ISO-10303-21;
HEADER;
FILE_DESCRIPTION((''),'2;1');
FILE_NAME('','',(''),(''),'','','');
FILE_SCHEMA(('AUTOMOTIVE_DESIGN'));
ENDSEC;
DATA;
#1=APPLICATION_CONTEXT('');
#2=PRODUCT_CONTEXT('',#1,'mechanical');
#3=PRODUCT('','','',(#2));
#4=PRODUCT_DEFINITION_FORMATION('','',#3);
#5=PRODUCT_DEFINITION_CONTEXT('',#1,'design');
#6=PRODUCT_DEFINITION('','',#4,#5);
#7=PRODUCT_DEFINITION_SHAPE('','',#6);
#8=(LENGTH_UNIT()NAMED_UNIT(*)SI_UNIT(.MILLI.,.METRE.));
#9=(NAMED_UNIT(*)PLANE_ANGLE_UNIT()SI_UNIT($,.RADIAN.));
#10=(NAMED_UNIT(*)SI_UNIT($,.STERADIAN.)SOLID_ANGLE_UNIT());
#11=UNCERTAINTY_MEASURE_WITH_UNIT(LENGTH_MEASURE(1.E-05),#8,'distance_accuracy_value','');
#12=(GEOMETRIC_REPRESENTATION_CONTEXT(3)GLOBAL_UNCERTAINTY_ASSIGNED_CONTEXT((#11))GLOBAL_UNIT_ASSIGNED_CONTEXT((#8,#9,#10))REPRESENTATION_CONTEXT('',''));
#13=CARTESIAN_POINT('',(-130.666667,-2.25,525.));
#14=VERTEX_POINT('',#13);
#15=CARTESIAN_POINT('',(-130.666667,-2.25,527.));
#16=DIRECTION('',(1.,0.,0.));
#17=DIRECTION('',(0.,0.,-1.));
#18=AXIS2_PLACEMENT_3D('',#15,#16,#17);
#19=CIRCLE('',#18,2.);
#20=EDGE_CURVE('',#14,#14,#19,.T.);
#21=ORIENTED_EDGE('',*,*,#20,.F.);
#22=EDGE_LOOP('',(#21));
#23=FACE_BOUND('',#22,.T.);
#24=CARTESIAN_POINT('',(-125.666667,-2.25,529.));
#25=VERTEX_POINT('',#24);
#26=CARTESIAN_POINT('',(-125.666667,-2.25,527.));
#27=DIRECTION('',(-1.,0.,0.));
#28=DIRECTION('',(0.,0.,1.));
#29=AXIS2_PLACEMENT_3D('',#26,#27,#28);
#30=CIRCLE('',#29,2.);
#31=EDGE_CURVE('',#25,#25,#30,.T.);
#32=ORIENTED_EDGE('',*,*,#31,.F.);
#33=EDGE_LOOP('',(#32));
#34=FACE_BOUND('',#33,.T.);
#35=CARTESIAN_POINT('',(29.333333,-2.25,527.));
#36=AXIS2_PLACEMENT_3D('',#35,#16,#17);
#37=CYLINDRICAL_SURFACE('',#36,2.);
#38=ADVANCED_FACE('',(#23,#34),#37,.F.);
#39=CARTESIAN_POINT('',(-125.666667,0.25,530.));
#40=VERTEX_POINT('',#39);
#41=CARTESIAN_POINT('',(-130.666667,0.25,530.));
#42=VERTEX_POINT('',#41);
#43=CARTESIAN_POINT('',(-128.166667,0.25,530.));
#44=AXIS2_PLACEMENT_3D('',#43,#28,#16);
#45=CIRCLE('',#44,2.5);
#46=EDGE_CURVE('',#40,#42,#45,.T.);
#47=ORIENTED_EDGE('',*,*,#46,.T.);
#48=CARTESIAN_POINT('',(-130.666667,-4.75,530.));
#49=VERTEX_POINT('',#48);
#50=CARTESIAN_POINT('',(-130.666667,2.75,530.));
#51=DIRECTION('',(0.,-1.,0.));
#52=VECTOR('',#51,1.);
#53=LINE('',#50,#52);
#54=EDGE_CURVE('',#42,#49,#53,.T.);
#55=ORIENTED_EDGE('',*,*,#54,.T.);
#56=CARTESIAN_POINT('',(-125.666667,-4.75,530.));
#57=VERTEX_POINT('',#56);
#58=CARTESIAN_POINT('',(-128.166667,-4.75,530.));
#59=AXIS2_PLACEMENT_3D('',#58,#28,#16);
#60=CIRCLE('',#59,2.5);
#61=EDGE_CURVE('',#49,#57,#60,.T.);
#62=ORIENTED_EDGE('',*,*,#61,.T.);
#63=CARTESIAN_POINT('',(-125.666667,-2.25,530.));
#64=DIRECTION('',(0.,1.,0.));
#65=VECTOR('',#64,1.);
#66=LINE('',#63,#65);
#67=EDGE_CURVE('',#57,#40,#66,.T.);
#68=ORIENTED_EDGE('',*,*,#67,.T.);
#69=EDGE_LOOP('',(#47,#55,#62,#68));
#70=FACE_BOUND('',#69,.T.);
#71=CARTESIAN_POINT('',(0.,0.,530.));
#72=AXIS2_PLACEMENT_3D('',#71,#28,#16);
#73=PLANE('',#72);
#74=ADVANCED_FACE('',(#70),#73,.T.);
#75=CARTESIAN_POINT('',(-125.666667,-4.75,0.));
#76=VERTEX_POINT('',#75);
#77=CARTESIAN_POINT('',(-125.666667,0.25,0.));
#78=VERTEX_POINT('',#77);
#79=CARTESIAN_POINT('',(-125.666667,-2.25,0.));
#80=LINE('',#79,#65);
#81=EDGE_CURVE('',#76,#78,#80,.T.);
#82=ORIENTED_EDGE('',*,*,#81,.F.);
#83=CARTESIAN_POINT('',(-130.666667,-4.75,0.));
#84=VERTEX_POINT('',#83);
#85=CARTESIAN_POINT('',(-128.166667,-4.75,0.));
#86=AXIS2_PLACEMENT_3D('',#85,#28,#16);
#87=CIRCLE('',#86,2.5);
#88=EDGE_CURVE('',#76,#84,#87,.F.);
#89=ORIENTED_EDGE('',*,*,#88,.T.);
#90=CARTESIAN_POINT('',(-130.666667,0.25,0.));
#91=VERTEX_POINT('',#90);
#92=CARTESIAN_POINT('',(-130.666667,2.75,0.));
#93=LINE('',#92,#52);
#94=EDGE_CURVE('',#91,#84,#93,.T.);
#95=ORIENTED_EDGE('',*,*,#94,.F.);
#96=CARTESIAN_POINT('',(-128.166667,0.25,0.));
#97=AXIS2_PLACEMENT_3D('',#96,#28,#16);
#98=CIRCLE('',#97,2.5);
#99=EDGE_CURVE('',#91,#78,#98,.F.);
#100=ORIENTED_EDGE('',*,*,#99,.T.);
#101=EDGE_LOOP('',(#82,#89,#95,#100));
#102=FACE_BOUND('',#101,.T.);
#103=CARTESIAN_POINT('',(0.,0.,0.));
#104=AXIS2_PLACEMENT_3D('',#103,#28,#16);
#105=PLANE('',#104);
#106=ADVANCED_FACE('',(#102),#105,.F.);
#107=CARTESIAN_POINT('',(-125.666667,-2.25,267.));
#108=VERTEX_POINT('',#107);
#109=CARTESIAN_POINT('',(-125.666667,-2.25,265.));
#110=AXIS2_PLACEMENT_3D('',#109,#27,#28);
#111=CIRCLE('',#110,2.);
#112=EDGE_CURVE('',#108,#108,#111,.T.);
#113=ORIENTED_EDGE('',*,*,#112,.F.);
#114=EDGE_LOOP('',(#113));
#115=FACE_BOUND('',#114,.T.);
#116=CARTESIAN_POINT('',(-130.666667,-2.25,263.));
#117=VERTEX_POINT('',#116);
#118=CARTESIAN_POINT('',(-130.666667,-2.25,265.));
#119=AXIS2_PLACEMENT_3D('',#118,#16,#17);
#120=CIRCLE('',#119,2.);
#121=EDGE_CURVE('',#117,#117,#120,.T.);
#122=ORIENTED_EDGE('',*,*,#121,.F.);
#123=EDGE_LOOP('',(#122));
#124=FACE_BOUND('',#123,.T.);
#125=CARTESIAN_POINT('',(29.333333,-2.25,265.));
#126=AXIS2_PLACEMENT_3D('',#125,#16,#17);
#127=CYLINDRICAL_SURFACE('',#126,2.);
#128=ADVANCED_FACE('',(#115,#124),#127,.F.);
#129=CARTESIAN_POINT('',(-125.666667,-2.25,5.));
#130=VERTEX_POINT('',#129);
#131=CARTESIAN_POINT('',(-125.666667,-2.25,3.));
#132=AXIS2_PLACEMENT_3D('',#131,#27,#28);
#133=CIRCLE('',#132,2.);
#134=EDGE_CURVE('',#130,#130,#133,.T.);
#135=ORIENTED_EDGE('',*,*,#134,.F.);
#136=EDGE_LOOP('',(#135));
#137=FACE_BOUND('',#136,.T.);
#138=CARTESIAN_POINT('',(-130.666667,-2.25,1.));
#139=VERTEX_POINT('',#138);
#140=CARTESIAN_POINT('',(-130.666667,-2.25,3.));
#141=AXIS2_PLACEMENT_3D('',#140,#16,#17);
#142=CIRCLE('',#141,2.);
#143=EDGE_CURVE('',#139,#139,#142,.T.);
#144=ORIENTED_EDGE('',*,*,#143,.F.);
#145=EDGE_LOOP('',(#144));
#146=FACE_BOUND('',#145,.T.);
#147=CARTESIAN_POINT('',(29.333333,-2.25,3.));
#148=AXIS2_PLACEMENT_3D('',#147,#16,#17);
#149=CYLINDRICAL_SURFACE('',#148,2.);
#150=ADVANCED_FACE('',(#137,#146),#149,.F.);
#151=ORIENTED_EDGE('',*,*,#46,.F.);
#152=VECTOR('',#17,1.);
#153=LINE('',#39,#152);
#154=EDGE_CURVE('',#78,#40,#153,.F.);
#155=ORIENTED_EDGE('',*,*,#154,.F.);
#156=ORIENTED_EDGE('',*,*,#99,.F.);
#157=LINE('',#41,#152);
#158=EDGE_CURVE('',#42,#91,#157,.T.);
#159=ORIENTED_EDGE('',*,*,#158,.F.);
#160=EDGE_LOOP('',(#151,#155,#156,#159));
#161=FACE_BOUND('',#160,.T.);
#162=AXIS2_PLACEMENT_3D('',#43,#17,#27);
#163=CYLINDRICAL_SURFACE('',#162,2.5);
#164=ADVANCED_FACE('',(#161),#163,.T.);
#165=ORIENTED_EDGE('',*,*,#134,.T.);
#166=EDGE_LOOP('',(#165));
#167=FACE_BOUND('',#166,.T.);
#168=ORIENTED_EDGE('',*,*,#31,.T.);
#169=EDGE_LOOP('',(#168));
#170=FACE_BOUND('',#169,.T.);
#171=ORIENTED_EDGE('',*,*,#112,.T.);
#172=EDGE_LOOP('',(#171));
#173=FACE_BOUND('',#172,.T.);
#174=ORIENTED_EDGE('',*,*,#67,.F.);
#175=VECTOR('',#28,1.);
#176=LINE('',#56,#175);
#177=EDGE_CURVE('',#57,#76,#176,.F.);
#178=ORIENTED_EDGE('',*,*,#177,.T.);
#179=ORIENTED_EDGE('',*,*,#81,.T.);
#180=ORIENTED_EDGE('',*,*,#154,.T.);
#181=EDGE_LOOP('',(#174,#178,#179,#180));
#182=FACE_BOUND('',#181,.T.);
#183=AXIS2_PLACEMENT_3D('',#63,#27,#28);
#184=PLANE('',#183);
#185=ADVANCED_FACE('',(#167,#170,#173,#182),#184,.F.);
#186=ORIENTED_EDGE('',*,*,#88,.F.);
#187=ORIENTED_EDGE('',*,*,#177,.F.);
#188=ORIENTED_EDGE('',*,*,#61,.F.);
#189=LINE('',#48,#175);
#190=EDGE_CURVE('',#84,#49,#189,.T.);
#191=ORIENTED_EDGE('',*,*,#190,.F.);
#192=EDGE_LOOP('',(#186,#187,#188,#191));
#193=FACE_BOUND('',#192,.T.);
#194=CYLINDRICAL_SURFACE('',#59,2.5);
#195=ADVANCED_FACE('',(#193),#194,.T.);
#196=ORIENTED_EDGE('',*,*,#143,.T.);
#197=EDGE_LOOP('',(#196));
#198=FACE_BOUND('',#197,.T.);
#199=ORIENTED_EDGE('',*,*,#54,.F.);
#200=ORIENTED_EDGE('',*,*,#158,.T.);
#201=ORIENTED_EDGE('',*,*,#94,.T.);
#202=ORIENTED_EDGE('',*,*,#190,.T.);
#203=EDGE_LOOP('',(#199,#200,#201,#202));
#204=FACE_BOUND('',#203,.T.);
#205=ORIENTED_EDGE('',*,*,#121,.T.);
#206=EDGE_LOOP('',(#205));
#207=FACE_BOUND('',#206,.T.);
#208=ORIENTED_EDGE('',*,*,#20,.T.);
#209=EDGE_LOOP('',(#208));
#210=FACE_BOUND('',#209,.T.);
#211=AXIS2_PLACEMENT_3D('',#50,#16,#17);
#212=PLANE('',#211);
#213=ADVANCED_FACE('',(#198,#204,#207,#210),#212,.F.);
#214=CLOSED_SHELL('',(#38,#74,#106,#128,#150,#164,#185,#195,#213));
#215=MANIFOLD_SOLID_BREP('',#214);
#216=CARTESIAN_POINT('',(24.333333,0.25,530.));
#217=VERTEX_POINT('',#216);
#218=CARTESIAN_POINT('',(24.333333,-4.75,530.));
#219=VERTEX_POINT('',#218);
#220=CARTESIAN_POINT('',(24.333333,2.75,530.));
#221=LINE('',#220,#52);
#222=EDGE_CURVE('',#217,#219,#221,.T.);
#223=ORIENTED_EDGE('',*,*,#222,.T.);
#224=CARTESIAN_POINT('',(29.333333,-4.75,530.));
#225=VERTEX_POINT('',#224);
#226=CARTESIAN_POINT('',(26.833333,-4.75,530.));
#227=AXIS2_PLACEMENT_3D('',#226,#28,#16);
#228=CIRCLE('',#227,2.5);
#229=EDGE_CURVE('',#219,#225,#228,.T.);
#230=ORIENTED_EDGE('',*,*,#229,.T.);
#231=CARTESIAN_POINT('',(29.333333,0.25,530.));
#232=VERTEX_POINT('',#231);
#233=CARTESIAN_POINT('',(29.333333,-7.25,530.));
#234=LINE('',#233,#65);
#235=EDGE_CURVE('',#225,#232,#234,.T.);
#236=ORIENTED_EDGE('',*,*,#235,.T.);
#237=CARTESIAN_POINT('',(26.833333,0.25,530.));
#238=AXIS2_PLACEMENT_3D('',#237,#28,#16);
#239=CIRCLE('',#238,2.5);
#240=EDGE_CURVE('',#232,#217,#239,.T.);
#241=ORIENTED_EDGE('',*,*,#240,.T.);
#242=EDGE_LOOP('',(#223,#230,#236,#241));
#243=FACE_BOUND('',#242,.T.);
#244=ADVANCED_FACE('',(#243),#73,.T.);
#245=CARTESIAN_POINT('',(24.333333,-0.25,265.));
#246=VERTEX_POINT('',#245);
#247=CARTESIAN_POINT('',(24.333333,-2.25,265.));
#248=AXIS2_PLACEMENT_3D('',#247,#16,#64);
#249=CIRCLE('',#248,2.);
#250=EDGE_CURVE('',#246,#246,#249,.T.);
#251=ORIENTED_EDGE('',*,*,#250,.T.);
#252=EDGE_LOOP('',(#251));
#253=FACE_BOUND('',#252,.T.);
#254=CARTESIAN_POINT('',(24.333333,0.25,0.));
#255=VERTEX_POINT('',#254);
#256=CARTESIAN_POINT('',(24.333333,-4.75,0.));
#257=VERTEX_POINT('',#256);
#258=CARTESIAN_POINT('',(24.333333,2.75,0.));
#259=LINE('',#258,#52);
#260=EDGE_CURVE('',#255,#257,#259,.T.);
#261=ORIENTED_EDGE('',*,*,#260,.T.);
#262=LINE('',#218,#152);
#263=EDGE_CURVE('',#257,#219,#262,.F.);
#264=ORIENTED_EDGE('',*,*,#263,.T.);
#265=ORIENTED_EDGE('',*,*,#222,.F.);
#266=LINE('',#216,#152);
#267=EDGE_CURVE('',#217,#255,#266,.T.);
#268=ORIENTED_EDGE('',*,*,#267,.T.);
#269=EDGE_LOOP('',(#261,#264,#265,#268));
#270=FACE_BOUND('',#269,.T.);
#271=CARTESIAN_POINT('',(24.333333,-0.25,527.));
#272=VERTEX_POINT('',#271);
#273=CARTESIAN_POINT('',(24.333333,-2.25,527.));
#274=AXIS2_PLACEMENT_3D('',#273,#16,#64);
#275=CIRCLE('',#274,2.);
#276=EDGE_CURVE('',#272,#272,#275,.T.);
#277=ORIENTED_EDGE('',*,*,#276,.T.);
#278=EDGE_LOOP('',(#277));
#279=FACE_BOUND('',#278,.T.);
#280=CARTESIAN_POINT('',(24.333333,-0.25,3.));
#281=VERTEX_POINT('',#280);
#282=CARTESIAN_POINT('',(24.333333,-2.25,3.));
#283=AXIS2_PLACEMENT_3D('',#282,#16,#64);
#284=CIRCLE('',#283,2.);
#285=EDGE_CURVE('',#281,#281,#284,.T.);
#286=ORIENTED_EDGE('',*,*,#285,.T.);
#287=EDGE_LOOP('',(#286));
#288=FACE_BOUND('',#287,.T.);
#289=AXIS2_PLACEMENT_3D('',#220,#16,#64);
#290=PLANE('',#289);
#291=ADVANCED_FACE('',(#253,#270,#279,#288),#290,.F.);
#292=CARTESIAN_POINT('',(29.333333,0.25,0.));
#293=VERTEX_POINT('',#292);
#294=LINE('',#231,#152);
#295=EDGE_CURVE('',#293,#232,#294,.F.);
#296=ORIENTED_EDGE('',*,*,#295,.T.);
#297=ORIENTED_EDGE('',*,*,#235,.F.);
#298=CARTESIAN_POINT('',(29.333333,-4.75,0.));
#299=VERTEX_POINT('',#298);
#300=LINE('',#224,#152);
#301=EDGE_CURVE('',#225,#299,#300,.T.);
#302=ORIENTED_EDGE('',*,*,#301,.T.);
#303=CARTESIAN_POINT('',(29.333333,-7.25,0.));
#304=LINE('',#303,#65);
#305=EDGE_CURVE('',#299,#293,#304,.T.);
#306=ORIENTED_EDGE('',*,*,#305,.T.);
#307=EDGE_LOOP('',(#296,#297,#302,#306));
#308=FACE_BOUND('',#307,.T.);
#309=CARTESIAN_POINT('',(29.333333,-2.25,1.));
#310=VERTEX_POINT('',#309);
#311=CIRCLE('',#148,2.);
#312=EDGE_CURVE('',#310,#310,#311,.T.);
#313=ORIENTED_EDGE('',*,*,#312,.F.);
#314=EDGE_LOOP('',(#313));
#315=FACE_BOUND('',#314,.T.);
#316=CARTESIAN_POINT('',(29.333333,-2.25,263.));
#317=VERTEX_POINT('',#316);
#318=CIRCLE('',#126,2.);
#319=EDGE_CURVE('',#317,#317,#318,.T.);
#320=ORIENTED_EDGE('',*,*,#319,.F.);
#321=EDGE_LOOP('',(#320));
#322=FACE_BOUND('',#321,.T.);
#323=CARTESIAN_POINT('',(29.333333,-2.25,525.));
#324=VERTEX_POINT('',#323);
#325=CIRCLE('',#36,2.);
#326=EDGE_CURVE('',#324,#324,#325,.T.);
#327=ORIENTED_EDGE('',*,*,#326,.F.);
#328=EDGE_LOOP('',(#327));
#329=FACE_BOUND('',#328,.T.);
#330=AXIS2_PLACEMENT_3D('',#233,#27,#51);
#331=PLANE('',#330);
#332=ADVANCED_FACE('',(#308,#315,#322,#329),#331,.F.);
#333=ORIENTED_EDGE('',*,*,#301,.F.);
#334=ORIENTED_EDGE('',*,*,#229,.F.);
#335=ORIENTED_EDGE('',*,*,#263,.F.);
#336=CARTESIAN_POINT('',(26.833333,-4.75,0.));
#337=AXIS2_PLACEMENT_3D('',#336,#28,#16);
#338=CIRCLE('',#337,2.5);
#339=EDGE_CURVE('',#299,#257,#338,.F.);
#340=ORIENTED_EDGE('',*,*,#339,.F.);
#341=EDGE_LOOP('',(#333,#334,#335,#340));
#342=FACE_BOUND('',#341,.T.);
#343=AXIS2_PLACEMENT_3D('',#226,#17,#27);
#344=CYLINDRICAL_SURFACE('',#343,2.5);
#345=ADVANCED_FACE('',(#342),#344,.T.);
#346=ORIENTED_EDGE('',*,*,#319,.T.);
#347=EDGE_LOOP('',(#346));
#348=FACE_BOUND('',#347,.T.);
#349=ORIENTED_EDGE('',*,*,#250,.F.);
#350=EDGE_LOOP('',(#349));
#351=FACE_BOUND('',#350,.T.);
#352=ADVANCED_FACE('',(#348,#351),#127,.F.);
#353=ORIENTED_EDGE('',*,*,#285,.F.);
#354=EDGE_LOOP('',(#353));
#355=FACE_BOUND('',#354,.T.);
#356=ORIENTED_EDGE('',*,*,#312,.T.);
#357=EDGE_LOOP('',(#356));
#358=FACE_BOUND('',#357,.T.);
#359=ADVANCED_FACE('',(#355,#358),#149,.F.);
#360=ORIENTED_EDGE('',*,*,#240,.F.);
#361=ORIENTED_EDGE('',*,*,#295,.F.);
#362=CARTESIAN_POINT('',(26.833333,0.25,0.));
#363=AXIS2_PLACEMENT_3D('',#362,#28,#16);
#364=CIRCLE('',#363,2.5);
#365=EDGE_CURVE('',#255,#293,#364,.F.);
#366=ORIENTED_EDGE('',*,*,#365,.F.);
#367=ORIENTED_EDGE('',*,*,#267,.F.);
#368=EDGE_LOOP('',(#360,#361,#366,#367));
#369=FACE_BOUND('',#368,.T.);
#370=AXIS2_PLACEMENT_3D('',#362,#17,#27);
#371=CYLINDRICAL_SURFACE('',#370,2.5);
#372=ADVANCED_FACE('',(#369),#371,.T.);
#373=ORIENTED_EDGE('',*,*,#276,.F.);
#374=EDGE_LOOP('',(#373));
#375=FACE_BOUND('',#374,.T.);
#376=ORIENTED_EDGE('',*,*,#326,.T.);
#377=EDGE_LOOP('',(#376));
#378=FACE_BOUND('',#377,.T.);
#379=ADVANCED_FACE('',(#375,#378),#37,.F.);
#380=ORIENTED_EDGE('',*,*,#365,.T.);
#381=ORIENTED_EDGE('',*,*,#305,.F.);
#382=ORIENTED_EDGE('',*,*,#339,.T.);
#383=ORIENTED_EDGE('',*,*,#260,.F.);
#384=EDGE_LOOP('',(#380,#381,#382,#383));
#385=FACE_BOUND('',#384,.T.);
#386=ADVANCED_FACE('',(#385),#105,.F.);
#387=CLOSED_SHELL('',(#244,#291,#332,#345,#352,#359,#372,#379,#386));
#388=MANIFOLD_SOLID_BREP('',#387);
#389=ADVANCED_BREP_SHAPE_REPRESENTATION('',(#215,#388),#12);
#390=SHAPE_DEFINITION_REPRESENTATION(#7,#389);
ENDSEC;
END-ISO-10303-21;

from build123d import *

# Parameters (mm, degrees)
BOSS_EXTRUDE1_DEPTH   = 530
F_4_0MM_DOWEL_HOLE1_D = 4
SKETCH5_W             = 150
SKETCH5_H             = 85.013132282
CUT_EXTRUDE1_DEPTH    = 10
SKETCH6_W             = 150
SKETCH6_H             = 150
CUT_EXTRUDE2_DEPTH    = 546.892643088
SKETCH7_W             = 150
SKETCH7_H             = 27.986867718
BOSS_EXTRUDE2_DEPTH   = 2
SKETCH8_W             = 150
SKETCH8_H             = 388.643784195
CUT_EXTRUDE3_DEPTH    = 546.961333592
FILLET1_RADIUS        = 2.5
FILLET1_LENGTH        = 530
FILLET2_RADIUS        = 2.5
FILLET2_LENGTH        = 530
FILLET3_RADIUS        = 2.5
FILLET3_LENGTH        = 530
FILLET4_RADIUS        = 2.5
FILLET4_LENGTH        = 530


with BuildPart() as part:
    # Sketch1 → Boss-Extrude1 (new body)
    with BuildSketch(Plane.XY):
        Polygon((-130.666666667, 2.75), (-130.666666667, -7.25), (29.333333333, -7.25), (29.333333333, 2.75), (24.333333333, 2.75), (24.333333333, -2.25), (-125.666666667, -2.25), (-125.666666667, 2.75), align=None)
    extrude(amount=BOSS_EXTRUDE1_DEPTH)

    # Ø4.0mm Dowel Hole1 (through all)
    with Locations(Plane(origin=(29.333333333, 0, 0), x_dir=(0, 0, -1), z_dir=(1, 0, 0))):
        with Locations((-527, -2.25), (-265, -2.25), (-3, -2.25)):
            Hole(F_4_0MM_DOWEL_HOLE1_D / 2)

    # Sketch5 → Cut-Extrude1 (cut)
    with BuildSketch(Plane(origin=(0, -2.25, 0), x_dir=(1, 0, 0), z_dir=(0, 1, 0))):
        with Locations((-50.666666667, -42.506566141)):
            Rectangle(SKETCH5_W, SKETCH5_H)
    extrude(amount=-CUT_EXTRUDE1_DEPTH, mode=Mode.SUBTRACT)

    # Sketch6 → Cut-Extrude2 (cut, through all)
    with BuildSketch(Plane(origin=(0, -2.25, 0), x_dir=(1, 0, 0), z_dir=(0, 1, 0))):
        with Locations((-50.666666667, -160.013132282)):
            Rectangle(SKETCH6_W, SKETCH6_H)
    extrude(amount=-CUT_EXTRUDE2_DEPTH, mode=Mode.SUBTRACT)

    # Sketch7 → Boss-Extrude2 (add)
    with BuildSketch(Plane(origin=(0, 2.75, 0), x_dir=(1, 0, 0), z_dir=(0, 1, 0))):
        with Locations((-50.666666667, -249.006566141)):
            Rectangle(SKETCH7_W, SKETCH7_H)
    extrude(amount=-BOSS_EXTRUDE2_DEPTH)

    # Sketch8 → Cut-Extrude3 (cut, through all)
    with BuildSketch(Plane.XZ.offset(7.25)):
        with Locations((-50.666666667, 429.33502438)):
            Rectangle(SKETCH8_W, SKETCH8_H)
    extrude(amount=-CUT_EXTRUDE3_DEPTH, mode=Mode.SUBTRACT)


with BuildPart() as cut_extrude3_piece_1:
    # of the separate pieces the step leaves, piece 1, a body of its own (cut_extrude3_pieces)
    add(part.part.solids().sort_by_distance((29.333333333, 2.75, 530))[0])

    # Fillet1: full round fillet: the end face becomes a half cylinder, R = half its width
    fillet1_face = Plane((26.833333333, -7.25, 265), x_dir=(0, 0, 1), z_dir=(0, -1, 0))  # on the end face: x along it, z out of the body
    fillet1_slab = fillet1_face.offset(-FILLET1_RADIUS / 2) * Box(FILLET1_LENGTH, 2 * FILLET1_RADIUS, FILLET1_RADIUS, mode=Mode.PRIVATE)  # the body's end, R deep
    fillet1_round = Plane((26.833333333, -4.75, 265), x_dir=(0, -1, 0), z_dir=(0, 0, 1)) * Cylinder(FILLET1_RADIUS, FILLET1_LENGTH, mode=Mode.PRIVATE)  # its axis R under the face
    add(fillet1_slab - fillet1_round, mode=Mode.SUBTRACT)

    # Fillet2: full round fillet: the end face becomes a half cylinder, R = half its width
    fillet2_face = Plane((26.833333333, 2.75, 265), x_dir=(0, 0, 1), z_dir=(0, 1, 0))  # on the end face: x along it, z out of the body
    fillet2_slab = fillet2_face.offset(-FILLET2_RADIUS / 2) * Box(FILLET2_LENGTH, 2 * FILLET2_RADIUS, FILLET2_RADIUS, mode=Mode.PRIVATE)  # the body's end, R deep
    fillet2_round = Plane((26.833333333, 0.25, 265), x_dir=(0, 1, 0), z_dir=(0, 0, 1)) * Cylinder(FILLET2_RADIUS, FILLET2_LENGTH, mode=Mode.PRIVATE)  # its axis R under the face
    add(fillet2_slab - fillet2_round, mode=Mode.SUBTRACT)


with BuildPart() as cut_extrude3_piece_2:
    # of the separate pieces the step leaves, piece 2, a body of its own (cut_extrude3_pieces)
    add(part.part.solids().sort_by_distance((-130.666666667, 2.75, 0))[0])

    # Fillet3: full round fillet: the end face becomes a half cylinder, R = half its width
    fillet3_face = Plane((-128.166666667, -7.25, 265), x_dir=(0, 0, -1), z_dir=(0, -1, 0))  # on the end face: x along it, z out of the body
    fillet3_slab = fillet3_face.offset(-FILLET3_RADIUS / 2) * Box(FILLET3_LENGTH, 2 * FILLET3_RADIUS, FILLET3_RADIUS, mode=Mode.PRIVATE)  # the body's end, R deep
    fillet3_round = Plane((-128.166666667, -4.75, 265), x_dir=(0, -1, 0), z_dir=(0, 0, -1)) * Cylinder(FILLET3_RADIUS, FILLET3_LENGTH, mode=Mode.PRIVATE)  # its axis R under the face
    add(fillet3_slab - fillet3_round, mode=Mode.SUBTRACT)

    # Fillet4: full round fillet: the end face becomes a half cylinder, R = half its width
    fillet4_face = Plane((-128.166666667, 2.75, 265), x_dir=(0, 0, -1), z_dir=(0, 1, 0))  # on the end face: x along it, z out of the body
    fillet4_slab = fillet4_face.offset(-FILLET4_RADIUS / 2) * Box(FILLET4_LENGTH, 2 * FILLET4_RADIUS, FILLET4_RADIUS, mode=Mode.PRIVATE)  # the body's end, R deep
    fillet4_round = Plane((-128.166666667, 0.25, 265), x_dir=(0, 1, 0), z_dir=(0, 0, -1)) * Cylinder(FILLET4_RADIUS, FILLET4_LENGTH, mode=Mode.PRIVATE)  # its axis R under the face
    add(fillet4_slab - fillet4_round, mode=Mode.SUBTRACT)


solid = Compound([cut_extrude3_piece_1.part, cut_extrude3_piece_2.part])
